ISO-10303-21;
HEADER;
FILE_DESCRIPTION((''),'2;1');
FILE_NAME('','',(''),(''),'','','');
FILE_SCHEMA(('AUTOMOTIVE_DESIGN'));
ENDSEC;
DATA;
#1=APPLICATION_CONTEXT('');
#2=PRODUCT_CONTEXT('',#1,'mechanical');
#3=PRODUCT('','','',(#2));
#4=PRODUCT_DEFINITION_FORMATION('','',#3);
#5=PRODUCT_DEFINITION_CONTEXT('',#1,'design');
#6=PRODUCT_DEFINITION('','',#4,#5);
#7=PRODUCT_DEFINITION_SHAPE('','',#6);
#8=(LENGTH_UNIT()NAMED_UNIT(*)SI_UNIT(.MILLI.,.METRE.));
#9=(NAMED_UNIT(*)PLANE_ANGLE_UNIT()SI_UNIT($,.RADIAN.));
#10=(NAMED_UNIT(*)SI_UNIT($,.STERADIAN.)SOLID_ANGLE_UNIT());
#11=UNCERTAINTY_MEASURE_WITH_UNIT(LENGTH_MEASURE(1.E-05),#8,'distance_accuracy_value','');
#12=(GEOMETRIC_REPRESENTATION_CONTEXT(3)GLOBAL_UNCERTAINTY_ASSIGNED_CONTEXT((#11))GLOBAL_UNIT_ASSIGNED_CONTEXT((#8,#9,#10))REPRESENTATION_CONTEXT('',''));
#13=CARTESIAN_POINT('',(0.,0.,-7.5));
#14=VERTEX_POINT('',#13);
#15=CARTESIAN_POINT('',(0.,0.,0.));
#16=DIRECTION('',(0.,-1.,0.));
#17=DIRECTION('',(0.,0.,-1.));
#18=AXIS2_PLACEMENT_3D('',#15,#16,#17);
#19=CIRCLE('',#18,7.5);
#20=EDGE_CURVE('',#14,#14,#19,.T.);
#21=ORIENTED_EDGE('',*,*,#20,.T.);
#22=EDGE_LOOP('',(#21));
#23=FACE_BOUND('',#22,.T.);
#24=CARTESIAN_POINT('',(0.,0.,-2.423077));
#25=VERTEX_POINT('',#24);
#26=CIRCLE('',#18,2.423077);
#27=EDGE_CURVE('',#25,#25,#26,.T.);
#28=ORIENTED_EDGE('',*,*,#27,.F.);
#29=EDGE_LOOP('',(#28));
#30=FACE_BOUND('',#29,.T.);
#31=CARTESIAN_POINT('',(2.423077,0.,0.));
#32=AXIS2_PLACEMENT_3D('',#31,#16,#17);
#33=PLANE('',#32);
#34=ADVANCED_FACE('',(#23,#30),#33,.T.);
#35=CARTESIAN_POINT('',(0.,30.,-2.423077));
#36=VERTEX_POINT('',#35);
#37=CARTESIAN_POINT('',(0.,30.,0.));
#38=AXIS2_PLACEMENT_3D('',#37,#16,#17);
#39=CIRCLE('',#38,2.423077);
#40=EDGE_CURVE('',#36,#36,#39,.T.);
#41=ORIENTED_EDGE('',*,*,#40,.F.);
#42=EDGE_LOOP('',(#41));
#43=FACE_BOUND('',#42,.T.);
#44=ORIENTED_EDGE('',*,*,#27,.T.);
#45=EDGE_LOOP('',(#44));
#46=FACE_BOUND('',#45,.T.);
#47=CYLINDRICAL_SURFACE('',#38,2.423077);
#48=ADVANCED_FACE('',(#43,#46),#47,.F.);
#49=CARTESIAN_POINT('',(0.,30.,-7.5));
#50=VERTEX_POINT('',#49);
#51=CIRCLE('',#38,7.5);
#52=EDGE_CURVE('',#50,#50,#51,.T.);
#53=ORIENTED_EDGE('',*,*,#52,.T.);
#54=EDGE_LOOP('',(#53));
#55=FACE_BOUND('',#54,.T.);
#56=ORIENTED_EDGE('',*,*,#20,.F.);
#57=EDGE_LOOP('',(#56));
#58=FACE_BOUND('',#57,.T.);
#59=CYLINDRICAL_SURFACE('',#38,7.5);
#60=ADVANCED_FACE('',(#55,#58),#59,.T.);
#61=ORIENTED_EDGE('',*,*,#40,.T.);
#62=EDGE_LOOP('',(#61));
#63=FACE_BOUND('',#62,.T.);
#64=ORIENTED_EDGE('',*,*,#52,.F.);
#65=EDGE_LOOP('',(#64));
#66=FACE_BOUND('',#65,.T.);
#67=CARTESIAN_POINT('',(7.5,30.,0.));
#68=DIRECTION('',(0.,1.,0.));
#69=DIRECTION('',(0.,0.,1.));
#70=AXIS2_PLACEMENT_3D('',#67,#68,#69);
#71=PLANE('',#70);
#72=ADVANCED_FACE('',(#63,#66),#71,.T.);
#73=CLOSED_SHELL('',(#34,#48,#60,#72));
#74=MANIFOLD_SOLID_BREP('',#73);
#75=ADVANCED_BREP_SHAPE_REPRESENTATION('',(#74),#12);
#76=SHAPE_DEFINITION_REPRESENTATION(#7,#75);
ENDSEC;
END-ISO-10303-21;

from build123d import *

# Parameters (mm, degrees)
SKETCH1_W = 5.076923077
SKETCH1_H = 30


with BuildPart() as part:
    # Sketch1 → Revolve1 (revolve)
    with BuildSketch(Plane.XY, mode=Mode.PRIVATE) as revolve1_sk:
        with Locations((4.961538461, 15)):
            Rectangle(SKETCH1_W, SKETCH1_H)
    revolve(revolve1_sk.sketch.rotate(Axis((0, 30, 0), (0, -1, 0)), 270), axis=Axis((0, 30, 0), (0, -1, 0)))


solid = part.part
